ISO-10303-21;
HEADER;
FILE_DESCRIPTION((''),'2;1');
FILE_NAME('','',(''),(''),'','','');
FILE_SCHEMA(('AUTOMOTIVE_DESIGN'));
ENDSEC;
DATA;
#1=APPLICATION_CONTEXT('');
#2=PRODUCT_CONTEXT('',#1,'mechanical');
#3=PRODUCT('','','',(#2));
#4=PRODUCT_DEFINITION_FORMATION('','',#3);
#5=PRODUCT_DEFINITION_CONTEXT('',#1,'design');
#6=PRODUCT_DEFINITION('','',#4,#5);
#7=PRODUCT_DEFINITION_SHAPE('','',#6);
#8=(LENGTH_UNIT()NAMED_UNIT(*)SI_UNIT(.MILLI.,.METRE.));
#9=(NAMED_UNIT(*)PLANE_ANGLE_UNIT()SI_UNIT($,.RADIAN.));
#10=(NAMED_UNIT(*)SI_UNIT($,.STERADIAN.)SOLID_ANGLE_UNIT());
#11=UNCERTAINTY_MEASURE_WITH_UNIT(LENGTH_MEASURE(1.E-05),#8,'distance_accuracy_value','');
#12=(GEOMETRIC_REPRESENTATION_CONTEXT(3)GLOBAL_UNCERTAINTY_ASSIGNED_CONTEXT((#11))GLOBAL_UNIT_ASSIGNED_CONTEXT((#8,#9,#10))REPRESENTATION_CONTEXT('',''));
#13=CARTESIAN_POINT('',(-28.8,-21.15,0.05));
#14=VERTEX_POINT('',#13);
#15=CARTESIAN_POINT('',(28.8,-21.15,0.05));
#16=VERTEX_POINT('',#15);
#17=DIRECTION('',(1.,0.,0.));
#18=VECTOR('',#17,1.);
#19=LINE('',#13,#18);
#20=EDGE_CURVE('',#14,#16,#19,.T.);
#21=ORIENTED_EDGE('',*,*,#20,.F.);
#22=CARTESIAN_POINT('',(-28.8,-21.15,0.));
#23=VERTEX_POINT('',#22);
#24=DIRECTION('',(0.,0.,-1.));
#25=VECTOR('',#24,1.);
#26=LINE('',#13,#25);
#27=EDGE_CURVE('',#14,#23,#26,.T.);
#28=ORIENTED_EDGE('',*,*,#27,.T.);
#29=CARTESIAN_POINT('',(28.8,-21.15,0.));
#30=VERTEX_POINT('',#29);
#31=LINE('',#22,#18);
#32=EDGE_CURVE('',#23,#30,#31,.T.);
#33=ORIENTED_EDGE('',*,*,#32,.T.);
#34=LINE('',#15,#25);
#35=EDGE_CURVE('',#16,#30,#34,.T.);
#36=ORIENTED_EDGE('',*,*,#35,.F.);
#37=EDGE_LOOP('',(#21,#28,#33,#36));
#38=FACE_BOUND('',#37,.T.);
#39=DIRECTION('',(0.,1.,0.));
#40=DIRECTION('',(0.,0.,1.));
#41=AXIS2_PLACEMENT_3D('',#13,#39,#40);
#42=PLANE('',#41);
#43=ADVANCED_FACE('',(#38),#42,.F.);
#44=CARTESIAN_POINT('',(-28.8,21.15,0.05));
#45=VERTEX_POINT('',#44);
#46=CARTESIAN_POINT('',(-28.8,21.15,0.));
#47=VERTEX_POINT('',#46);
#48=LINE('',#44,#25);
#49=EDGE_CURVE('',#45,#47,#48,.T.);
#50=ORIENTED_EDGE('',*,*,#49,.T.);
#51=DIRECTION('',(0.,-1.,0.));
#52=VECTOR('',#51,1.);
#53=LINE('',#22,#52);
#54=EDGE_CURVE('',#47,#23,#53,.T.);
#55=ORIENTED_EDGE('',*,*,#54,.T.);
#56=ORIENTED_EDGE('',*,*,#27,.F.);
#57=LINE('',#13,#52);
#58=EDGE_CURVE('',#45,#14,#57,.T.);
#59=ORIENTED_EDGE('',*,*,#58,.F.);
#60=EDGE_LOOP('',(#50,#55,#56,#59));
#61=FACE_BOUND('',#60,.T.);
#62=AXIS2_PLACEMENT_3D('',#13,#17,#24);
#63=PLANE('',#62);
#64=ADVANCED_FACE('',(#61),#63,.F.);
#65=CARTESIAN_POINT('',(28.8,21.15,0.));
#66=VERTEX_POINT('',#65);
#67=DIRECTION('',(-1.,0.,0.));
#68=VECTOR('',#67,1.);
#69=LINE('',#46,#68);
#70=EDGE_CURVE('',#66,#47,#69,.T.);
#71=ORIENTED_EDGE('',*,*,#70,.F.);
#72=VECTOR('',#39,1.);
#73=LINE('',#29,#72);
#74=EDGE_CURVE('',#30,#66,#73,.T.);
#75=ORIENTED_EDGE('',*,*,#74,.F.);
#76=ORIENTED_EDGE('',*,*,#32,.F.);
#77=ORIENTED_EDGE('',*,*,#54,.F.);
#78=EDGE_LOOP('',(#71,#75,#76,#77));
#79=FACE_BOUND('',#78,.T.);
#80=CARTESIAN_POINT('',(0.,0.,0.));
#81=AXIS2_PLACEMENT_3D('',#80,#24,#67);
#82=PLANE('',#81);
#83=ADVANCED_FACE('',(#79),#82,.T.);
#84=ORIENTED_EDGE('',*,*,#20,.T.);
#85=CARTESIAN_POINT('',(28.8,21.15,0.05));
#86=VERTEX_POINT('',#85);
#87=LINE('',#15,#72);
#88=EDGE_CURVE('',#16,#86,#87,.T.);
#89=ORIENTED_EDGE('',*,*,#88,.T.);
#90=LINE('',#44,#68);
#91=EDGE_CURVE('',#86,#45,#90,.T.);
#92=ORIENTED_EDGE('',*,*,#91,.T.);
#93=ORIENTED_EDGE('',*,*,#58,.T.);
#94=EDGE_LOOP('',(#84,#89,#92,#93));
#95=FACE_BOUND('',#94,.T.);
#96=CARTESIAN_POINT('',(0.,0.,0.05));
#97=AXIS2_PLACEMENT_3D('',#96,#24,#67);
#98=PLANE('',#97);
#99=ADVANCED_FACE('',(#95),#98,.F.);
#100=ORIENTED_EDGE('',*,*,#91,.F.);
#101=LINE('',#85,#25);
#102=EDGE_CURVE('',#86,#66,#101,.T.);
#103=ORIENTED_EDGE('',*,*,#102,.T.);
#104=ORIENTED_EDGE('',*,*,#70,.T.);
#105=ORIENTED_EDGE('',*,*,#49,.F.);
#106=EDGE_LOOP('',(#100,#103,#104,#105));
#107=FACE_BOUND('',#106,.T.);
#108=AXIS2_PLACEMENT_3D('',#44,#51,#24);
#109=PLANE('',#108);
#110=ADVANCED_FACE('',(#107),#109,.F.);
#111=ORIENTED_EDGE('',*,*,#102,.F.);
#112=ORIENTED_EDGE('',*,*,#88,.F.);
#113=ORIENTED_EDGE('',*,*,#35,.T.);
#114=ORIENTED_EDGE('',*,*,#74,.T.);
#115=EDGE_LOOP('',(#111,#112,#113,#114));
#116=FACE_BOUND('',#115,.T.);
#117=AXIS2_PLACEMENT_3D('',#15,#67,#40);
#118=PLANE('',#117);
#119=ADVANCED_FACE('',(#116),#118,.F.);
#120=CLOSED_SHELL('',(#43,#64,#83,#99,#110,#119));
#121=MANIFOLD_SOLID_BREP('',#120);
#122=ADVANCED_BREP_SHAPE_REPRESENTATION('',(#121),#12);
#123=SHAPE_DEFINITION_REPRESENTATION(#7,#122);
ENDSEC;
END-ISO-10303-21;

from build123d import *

# Parameters (mm, degrees)
ESQUISSE1_W        = 57.6
ESQUISSE1_H        = 42.3
BOSS_EXTRU_1_DEPTH = 0.05


with BuildPart() as part:
    # Esquisse1 → Boss.-Extru.1 (new body)
    with BuildSketch(Plane.XY):
        Rectangle(ESQUISSE1_W, ESQUISSE1_H)
    extrude(amount=BOSS_EXTRU_1_DEPTH)


solid = part.part
